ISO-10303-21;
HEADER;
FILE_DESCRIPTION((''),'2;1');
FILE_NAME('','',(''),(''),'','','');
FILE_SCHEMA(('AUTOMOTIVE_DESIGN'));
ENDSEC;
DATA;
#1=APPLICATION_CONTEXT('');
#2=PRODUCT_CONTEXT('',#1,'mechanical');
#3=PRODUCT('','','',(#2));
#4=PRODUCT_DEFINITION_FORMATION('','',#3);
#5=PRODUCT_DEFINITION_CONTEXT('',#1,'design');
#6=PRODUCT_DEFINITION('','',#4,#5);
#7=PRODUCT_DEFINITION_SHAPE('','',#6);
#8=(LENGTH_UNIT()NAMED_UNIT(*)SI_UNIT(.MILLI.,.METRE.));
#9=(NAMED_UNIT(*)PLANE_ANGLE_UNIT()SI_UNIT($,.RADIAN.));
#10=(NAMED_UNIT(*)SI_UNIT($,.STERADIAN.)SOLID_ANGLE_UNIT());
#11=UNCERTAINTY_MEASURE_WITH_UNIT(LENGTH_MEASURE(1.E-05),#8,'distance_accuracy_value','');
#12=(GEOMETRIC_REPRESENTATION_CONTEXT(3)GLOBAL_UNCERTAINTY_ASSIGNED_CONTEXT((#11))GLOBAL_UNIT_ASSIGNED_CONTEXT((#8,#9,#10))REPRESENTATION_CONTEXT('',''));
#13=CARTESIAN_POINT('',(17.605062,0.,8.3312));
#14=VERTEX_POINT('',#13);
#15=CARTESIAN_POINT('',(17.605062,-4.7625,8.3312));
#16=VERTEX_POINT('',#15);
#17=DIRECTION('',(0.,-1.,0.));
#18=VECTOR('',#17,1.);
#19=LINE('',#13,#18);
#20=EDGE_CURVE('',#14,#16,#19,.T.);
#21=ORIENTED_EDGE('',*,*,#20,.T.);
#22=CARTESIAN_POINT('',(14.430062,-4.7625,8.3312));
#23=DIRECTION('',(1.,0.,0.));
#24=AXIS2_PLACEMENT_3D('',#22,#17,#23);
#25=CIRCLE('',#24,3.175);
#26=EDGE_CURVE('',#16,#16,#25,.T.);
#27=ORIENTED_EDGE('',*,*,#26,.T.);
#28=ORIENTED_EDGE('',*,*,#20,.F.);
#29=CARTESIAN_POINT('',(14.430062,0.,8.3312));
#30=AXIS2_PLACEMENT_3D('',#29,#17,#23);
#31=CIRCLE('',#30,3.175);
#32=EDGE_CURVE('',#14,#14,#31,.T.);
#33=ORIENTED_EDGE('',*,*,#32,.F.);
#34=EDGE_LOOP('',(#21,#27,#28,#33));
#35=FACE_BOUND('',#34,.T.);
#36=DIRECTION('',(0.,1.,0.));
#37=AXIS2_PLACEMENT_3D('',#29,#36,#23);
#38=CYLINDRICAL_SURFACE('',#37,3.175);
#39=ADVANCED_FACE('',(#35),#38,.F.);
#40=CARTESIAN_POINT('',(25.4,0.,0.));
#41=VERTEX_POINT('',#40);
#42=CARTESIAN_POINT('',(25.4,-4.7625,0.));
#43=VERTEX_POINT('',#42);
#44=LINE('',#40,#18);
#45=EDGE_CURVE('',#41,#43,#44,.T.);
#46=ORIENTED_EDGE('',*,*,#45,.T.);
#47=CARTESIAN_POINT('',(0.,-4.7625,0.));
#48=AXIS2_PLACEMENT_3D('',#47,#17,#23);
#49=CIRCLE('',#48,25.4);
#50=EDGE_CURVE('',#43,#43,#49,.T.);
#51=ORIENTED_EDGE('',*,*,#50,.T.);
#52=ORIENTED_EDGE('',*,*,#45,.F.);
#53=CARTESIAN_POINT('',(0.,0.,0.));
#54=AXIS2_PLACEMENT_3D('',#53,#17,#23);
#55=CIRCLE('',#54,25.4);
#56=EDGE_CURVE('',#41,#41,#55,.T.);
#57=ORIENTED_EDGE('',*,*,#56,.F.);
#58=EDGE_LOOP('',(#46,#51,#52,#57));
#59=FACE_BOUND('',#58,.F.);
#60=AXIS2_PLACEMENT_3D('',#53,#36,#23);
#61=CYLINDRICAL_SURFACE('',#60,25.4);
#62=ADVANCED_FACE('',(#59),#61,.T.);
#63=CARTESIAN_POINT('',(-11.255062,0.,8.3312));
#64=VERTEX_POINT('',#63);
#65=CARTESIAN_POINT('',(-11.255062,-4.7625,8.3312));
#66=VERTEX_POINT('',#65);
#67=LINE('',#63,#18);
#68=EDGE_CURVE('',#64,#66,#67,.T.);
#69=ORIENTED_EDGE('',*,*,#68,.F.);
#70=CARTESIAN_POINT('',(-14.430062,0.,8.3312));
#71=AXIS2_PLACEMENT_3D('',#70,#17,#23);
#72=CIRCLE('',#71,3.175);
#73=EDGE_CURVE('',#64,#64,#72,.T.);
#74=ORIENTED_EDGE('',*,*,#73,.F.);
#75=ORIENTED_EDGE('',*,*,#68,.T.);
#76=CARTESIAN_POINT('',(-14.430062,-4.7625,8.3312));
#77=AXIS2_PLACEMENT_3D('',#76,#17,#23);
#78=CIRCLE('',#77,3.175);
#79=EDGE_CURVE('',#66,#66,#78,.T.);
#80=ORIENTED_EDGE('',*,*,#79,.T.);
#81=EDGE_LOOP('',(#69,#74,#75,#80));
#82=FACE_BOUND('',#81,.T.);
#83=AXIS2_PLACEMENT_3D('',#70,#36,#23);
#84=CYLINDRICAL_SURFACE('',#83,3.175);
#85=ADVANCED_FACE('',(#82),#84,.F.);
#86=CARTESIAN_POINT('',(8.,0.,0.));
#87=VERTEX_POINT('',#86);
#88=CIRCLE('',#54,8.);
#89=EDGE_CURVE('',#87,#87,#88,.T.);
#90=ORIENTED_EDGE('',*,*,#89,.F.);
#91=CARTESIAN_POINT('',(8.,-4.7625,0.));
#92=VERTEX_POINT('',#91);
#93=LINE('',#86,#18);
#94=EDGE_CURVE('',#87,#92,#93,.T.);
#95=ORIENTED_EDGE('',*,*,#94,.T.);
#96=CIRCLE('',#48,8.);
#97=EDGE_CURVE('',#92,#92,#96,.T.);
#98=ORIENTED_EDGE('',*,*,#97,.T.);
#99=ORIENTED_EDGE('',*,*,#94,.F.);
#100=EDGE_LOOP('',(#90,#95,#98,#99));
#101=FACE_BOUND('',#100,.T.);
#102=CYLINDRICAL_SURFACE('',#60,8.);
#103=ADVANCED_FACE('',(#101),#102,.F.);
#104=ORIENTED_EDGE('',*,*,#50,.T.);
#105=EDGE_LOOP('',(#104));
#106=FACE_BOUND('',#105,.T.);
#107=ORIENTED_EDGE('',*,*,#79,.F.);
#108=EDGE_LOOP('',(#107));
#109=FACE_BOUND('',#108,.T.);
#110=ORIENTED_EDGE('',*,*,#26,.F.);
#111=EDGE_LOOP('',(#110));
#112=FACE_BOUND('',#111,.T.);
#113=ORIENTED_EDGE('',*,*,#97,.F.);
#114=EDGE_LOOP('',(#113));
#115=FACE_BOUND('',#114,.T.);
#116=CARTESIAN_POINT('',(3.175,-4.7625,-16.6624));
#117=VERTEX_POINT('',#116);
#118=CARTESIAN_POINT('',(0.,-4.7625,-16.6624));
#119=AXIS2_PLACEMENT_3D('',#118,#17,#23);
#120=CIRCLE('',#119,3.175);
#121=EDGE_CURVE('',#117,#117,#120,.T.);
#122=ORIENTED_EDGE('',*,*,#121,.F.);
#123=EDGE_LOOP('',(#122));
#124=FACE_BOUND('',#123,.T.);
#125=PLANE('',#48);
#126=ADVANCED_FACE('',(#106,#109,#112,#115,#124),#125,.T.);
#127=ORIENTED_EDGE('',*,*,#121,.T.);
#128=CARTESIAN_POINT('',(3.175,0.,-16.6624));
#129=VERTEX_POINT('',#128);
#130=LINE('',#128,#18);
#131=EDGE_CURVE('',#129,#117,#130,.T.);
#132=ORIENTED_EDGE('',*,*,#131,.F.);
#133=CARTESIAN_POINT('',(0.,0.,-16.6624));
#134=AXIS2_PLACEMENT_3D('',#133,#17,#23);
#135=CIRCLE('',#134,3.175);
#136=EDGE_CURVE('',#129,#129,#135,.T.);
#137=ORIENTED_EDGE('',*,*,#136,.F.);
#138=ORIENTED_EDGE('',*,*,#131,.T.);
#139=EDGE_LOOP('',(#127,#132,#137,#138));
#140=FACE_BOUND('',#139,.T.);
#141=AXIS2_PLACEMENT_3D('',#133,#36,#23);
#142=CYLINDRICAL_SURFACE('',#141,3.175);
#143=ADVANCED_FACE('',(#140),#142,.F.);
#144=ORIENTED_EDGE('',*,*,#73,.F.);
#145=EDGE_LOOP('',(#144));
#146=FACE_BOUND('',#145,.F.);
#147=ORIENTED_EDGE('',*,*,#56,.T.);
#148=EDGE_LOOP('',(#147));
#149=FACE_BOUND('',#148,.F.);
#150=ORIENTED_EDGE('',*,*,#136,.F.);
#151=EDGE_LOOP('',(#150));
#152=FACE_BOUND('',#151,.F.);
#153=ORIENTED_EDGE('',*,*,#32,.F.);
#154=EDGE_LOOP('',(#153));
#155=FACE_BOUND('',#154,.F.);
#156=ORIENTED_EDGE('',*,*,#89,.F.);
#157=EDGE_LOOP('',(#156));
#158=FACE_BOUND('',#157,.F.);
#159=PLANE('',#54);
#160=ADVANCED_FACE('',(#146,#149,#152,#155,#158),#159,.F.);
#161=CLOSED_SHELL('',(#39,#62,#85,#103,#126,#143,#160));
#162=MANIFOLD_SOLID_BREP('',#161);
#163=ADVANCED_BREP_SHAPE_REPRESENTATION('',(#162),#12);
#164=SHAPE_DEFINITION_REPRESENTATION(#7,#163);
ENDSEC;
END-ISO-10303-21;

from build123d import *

# Parameters (mm, degrees)
F0_R     = 25.4
F0_R_2   = 3.175
F0_R_3   = 8
F1_DEPTH = 4.7625


with BuildPart() as f1:
    # F0 (on Front) → F1 (new body)
    with BuildSketch(Plane.XZ):
        Circle(F0_R)
        with Locations((0, -16.6624)):
            Circle(F0_R_2, mode=Mode.SUBTRACT)
        Circle(F0_R_3, mode=Mode.SUBTRACT)
        with Locations((-14.430062, 8.3312)):
            Circle(F0_R_2, mode=Mode.SUBTRACT)
        with Locations((14.430062, 8.3312)):
            Circle(F0_R_2, mode=Mode.SUBTRACT)
    extrude(amount=F1_DEPTH)


solid = f1.part
